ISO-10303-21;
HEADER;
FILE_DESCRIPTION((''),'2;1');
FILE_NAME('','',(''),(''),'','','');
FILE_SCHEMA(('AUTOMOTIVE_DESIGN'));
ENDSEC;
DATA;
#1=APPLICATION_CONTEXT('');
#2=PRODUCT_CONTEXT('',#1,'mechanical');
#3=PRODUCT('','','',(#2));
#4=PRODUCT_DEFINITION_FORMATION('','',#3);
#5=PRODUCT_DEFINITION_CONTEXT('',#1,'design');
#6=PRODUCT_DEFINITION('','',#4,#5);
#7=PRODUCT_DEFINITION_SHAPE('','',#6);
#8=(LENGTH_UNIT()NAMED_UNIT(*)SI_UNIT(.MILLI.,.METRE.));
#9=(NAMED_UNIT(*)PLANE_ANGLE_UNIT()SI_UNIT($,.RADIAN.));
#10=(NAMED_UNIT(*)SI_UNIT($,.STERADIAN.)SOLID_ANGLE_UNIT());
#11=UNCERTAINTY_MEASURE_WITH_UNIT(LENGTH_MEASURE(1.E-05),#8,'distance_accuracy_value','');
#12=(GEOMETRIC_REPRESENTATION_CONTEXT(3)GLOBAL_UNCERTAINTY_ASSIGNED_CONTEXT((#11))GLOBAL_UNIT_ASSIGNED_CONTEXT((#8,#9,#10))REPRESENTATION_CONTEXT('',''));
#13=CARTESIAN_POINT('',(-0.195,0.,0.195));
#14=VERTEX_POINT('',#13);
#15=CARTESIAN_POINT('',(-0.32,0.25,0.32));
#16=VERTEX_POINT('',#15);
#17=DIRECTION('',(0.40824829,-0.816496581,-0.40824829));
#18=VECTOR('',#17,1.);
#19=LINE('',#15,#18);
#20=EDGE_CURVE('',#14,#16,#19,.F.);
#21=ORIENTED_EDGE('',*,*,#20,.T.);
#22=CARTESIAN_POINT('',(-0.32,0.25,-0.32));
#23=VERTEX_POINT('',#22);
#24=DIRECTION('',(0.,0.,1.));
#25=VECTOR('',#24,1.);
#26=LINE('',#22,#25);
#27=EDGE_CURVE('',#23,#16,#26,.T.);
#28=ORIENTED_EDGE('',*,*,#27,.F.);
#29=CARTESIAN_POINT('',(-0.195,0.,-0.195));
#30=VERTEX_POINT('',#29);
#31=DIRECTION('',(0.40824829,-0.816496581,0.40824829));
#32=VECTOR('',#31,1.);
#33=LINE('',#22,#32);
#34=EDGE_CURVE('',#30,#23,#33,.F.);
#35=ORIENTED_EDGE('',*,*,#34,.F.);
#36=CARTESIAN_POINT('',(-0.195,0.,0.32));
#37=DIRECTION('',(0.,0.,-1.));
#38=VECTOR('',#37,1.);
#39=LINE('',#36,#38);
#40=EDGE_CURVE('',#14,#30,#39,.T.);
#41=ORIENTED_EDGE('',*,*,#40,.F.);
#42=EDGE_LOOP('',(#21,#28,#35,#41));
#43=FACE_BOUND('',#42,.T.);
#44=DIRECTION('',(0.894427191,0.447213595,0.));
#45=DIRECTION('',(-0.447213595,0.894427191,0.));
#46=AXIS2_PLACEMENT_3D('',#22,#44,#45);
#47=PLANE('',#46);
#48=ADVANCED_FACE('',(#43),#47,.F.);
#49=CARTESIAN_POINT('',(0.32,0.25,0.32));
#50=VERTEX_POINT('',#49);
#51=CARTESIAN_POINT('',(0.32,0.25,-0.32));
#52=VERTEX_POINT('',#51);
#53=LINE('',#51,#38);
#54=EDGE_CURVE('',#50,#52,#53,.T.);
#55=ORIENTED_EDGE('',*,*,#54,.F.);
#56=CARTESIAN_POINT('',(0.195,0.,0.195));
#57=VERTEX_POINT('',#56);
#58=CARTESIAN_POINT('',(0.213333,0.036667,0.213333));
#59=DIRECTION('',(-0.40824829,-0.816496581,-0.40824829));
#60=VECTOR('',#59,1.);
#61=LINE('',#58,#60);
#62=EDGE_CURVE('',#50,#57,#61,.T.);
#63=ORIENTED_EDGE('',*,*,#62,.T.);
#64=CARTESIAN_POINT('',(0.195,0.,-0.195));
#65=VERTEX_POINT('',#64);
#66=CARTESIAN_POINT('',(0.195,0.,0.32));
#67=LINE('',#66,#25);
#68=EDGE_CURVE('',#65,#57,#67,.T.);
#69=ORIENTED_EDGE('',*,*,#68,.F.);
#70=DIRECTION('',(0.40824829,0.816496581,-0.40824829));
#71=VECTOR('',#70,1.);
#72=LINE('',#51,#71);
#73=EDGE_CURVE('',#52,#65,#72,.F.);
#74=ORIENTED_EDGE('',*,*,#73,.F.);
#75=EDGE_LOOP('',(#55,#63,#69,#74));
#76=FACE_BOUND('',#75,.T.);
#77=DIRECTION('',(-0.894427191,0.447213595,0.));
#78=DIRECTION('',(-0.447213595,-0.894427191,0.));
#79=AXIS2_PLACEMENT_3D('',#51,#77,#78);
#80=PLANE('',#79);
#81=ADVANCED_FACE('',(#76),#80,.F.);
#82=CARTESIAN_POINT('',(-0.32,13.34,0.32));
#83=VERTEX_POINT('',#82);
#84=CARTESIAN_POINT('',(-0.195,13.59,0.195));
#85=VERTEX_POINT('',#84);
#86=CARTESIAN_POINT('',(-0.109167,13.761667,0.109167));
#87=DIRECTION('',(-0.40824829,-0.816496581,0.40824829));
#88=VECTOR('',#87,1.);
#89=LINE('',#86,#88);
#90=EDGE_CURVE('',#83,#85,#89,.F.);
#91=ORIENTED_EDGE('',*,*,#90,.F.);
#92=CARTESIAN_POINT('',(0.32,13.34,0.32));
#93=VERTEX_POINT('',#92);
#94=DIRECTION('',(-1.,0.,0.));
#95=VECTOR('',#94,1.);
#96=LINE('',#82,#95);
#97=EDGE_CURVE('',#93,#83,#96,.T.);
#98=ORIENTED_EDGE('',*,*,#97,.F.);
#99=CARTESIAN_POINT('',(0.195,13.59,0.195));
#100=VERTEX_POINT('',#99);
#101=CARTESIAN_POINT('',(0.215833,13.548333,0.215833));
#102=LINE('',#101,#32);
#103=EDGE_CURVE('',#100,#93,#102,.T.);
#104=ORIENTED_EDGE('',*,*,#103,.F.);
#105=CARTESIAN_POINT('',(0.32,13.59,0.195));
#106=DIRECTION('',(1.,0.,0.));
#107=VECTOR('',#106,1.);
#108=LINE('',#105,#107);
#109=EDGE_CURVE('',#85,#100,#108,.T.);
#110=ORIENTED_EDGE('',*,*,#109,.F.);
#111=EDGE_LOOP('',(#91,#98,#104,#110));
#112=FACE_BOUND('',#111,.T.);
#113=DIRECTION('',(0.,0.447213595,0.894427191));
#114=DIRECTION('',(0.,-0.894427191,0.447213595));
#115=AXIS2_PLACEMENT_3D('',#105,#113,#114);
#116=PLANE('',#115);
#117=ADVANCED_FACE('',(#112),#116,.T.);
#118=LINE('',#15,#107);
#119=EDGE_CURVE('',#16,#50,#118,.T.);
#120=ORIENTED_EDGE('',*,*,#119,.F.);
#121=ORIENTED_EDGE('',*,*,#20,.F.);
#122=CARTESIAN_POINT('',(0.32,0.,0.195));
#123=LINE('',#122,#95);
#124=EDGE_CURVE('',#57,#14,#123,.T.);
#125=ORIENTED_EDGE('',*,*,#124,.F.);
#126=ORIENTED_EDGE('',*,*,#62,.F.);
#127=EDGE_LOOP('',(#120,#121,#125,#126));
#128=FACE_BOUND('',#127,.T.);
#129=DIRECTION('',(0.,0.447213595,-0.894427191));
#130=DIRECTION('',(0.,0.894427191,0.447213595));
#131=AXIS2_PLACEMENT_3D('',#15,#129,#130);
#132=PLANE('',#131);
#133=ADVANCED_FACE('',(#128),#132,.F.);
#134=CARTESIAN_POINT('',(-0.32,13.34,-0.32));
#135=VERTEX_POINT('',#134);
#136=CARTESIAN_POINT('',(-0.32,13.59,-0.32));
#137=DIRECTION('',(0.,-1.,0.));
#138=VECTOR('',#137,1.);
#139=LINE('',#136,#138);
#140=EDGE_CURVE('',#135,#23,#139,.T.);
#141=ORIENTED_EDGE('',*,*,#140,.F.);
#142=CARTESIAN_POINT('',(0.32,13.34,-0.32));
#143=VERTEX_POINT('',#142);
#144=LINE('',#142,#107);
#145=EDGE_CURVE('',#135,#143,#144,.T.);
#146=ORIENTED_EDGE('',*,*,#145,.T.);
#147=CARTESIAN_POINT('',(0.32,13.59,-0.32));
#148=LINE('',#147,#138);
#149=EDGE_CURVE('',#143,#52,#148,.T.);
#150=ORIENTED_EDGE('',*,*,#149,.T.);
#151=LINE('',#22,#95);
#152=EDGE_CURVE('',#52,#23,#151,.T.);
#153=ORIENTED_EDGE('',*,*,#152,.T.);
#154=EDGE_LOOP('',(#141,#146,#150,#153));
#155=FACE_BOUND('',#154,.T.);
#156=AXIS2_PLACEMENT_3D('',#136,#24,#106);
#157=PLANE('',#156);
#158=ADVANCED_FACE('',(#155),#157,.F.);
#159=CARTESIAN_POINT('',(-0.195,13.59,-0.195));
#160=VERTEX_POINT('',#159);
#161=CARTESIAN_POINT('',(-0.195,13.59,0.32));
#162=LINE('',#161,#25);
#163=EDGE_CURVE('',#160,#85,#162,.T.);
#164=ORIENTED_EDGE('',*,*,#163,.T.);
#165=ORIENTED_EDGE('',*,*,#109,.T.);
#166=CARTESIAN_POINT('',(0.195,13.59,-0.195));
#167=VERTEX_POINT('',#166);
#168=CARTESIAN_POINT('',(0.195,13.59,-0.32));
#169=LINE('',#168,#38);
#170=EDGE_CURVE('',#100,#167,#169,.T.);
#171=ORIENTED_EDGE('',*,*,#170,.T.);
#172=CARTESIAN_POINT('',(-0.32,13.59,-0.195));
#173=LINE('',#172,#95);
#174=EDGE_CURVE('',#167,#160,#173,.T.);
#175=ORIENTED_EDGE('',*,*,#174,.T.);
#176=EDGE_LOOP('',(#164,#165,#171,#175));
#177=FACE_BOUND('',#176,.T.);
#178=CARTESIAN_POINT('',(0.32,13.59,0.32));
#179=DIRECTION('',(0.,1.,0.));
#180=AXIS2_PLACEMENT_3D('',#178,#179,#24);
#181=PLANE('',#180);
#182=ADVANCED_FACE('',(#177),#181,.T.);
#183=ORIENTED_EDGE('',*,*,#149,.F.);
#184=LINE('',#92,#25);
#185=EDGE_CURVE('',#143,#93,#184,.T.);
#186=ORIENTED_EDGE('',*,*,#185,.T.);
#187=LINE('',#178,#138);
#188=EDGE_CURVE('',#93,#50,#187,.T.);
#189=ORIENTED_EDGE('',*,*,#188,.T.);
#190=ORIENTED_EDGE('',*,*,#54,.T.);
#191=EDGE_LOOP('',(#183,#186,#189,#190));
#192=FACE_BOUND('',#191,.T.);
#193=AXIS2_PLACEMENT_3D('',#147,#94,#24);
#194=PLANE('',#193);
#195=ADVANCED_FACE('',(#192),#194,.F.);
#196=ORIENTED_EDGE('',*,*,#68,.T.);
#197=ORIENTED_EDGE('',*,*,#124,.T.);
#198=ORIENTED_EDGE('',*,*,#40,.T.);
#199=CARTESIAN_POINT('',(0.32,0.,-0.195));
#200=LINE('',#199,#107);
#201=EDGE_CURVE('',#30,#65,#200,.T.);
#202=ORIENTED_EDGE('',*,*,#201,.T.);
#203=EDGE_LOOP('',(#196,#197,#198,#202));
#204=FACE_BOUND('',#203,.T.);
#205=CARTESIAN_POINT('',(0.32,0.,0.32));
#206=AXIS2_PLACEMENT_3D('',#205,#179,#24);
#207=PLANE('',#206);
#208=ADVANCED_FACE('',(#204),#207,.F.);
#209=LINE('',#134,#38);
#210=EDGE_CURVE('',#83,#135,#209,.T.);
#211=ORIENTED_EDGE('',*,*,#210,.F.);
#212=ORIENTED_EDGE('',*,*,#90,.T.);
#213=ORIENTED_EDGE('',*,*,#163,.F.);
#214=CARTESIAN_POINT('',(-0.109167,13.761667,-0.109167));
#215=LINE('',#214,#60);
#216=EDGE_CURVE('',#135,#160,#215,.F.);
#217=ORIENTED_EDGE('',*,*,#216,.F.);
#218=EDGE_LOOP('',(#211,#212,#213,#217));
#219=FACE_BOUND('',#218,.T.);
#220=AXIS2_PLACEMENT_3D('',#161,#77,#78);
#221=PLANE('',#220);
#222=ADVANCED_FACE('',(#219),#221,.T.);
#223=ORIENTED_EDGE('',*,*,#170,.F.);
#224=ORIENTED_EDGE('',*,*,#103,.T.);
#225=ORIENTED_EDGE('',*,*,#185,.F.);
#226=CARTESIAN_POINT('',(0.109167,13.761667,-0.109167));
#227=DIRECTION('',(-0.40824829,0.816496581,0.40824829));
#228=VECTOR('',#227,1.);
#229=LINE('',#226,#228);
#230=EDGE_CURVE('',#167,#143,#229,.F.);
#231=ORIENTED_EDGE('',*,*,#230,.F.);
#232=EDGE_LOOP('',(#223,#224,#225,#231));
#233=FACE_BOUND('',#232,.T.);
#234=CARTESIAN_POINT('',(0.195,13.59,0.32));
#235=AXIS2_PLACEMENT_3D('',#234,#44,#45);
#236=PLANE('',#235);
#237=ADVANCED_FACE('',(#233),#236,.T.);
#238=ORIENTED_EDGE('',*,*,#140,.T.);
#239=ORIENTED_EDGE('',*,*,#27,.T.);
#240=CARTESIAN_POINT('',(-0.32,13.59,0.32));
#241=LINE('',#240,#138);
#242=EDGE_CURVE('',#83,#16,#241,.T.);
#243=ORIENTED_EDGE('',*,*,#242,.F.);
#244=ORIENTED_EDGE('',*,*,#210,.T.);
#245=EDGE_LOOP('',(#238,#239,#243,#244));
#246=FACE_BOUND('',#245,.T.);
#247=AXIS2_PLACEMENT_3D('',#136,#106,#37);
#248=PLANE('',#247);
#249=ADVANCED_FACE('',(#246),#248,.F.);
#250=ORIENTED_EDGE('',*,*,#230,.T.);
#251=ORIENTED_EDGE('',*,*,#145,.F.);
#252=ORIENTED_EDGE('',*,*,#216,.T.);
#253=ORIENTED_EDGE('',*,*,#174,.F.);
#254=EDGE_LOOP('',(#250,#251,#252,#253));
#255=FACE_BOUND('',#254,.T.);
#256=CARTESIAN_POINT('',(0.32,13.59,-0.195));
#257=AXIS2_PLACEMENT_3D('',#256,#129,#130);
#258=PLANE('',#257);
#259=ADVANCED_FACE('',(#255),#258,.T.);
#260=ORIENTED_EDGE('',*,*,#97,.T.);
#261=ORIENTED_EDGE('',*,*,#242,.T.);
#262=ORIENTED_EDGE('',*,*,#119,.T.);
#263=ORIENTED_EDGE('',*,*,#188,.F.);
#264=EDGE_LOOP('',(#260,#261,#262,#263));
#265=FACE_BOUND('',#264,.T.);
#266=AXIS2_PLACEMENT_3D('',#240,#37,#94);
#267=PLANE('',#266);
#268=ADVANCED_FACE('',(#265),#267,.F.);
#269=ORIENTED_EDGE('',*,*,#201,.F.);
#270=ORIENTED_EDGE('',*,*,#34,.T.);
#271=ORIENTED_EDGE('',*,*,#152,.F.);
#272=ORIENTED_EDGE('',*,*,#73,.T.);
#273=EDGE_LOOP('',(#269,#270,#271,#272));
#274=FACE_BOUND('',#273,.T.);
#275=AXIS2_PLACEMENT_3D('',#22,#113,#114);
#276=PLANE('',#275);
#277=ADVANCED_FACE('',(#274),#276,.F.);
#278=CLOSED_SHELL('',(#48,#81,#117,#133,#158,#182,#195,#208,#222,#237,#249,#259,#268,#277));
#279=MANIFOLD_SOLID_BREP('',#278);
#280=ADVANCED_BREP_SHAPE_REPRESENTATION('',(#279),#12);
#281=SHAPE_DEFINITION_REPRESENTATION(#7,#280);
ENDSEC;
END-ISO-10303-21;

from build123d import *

# Parameters (mm, degrees)
SKETCH1_W             = 0.64
SKETCH1_H             = 0.64
EXTRUDE1_DEPTH        = 13.59
CHAMFER1_SIZE         = 0.25
CHAMFER1_SIZE2        = 0.125
CHAMFER1_PART_2_SIZE  = 0.25
CHAMFER1_PART_2_SIZE2 = 0.125
CHAMFER1_PART_3_SIZE  = 0.25
CHAMFER1_PART_3_SIZE2 = 0.125
CHAMFER1_PART_4_SIZE  = 0.25
CHAMFER1_PART_4_SIZE2 = 0.125
CHAMFER2_SIZE         = 0.125
CHAMFER2_SIZE2        = 0.25


with BuildPart() as part:
    # Sketch1 → Extrude1 (new body)
    with BuildSketch(Plane(origin=(0, 0, 0), x_dir=(1, 0, 0), z_dir=(0, 1, 0))):
        Rectangle(SKETCH1_W, SKETCH1_H)
    extrude(amount=EXTRUDE1_DEPTH)

    # Chamfer1
    chamfer1_edges = [part.edges().sort_by_distance(p)[0] for p in [
        (-0.32, 13.59, 0),
    ]]
    chamfer1_side = [part.faces().sort_by_distance(p)[0] for p in [
        (-0.32, 6.795, 0),
    ]]
    chamfer(chamfer1_edges, length=CHAMFER1_SIZE, length2=CHAMFER1_SIZE2, reference=chamfer1_side[0])

    # Chamfer1 part 2
    chamfer1_part_2_edges = [part.edges().sort_by_distance(p)[0] for p in [
        (0, 13.59, 0.32),
    ]]
    chamfer1_part_2_side = [part.faces().sort_by_distance(p)[0] for p in [
        (0, 6.795, 0.32),
    ]]
    chamfer(chamfer1_part_2_edges, length=CHAMFER1_PART_2_SIZE, length2=CHAMFER1_PART_2_SIZE2, reference=chamfer1_part_2_side[0])

    # Chamfer1 part 3
    chamfer1_part_3_edges = [part.edges().sort_by_distance(p)[0] for p in [
        (0.32, 13.59, 0),
    ]]
    chamfer1_part_3_side = [part.faces().sort_by_distance(p)[0] for p in [
        (0.32, 6.795, 0),
    ]]
    chamfer(chamfer1_part_3_edges, length=CHAMFER1_PART_3_SIZE, length2=CHAMFER1_PART_3_SIZE2, reference=chamfer1_part_3_side[0])

    # Chamfer1 part 4
    chamfer1_part_4_edges = [part.edges().sort_by_distance(p)[0] for p in [
        (0, 13.59, -0.32),
    ]]
    chamfer1_part_4_side = [part.faces().sort_by_distance(p)[0] for p in [
        (0, 6.795, -0.32),
    ]]
    chamfer(chamfer1_part_4_edges, length=CHAMFER1_PART_4_SIZE, length2=CHAMFER1_PART_4_SIZE2, reference=chamfer1_part_4_side[0])

    # Chamfer2
    chamfer2_edges = [part.edges().sort_by_distance(p)[0] for p in [
        (0, 0, 0.32),
        (-0.32, 0, 0),
        (0, 0, -0.32),
        (0.32, 0, 0),
    ]]
    chamfer2_side = [part.faces().sort_by_distance(p)[0] for p in [
        (0, 0, 0),
    ]]
    chamfer(chamfer2_edges, length=CHAMFER2_SIZE, length2=CHAMFER2_SIZE2, reference=chamfer2_side[0])


solid = part.part
